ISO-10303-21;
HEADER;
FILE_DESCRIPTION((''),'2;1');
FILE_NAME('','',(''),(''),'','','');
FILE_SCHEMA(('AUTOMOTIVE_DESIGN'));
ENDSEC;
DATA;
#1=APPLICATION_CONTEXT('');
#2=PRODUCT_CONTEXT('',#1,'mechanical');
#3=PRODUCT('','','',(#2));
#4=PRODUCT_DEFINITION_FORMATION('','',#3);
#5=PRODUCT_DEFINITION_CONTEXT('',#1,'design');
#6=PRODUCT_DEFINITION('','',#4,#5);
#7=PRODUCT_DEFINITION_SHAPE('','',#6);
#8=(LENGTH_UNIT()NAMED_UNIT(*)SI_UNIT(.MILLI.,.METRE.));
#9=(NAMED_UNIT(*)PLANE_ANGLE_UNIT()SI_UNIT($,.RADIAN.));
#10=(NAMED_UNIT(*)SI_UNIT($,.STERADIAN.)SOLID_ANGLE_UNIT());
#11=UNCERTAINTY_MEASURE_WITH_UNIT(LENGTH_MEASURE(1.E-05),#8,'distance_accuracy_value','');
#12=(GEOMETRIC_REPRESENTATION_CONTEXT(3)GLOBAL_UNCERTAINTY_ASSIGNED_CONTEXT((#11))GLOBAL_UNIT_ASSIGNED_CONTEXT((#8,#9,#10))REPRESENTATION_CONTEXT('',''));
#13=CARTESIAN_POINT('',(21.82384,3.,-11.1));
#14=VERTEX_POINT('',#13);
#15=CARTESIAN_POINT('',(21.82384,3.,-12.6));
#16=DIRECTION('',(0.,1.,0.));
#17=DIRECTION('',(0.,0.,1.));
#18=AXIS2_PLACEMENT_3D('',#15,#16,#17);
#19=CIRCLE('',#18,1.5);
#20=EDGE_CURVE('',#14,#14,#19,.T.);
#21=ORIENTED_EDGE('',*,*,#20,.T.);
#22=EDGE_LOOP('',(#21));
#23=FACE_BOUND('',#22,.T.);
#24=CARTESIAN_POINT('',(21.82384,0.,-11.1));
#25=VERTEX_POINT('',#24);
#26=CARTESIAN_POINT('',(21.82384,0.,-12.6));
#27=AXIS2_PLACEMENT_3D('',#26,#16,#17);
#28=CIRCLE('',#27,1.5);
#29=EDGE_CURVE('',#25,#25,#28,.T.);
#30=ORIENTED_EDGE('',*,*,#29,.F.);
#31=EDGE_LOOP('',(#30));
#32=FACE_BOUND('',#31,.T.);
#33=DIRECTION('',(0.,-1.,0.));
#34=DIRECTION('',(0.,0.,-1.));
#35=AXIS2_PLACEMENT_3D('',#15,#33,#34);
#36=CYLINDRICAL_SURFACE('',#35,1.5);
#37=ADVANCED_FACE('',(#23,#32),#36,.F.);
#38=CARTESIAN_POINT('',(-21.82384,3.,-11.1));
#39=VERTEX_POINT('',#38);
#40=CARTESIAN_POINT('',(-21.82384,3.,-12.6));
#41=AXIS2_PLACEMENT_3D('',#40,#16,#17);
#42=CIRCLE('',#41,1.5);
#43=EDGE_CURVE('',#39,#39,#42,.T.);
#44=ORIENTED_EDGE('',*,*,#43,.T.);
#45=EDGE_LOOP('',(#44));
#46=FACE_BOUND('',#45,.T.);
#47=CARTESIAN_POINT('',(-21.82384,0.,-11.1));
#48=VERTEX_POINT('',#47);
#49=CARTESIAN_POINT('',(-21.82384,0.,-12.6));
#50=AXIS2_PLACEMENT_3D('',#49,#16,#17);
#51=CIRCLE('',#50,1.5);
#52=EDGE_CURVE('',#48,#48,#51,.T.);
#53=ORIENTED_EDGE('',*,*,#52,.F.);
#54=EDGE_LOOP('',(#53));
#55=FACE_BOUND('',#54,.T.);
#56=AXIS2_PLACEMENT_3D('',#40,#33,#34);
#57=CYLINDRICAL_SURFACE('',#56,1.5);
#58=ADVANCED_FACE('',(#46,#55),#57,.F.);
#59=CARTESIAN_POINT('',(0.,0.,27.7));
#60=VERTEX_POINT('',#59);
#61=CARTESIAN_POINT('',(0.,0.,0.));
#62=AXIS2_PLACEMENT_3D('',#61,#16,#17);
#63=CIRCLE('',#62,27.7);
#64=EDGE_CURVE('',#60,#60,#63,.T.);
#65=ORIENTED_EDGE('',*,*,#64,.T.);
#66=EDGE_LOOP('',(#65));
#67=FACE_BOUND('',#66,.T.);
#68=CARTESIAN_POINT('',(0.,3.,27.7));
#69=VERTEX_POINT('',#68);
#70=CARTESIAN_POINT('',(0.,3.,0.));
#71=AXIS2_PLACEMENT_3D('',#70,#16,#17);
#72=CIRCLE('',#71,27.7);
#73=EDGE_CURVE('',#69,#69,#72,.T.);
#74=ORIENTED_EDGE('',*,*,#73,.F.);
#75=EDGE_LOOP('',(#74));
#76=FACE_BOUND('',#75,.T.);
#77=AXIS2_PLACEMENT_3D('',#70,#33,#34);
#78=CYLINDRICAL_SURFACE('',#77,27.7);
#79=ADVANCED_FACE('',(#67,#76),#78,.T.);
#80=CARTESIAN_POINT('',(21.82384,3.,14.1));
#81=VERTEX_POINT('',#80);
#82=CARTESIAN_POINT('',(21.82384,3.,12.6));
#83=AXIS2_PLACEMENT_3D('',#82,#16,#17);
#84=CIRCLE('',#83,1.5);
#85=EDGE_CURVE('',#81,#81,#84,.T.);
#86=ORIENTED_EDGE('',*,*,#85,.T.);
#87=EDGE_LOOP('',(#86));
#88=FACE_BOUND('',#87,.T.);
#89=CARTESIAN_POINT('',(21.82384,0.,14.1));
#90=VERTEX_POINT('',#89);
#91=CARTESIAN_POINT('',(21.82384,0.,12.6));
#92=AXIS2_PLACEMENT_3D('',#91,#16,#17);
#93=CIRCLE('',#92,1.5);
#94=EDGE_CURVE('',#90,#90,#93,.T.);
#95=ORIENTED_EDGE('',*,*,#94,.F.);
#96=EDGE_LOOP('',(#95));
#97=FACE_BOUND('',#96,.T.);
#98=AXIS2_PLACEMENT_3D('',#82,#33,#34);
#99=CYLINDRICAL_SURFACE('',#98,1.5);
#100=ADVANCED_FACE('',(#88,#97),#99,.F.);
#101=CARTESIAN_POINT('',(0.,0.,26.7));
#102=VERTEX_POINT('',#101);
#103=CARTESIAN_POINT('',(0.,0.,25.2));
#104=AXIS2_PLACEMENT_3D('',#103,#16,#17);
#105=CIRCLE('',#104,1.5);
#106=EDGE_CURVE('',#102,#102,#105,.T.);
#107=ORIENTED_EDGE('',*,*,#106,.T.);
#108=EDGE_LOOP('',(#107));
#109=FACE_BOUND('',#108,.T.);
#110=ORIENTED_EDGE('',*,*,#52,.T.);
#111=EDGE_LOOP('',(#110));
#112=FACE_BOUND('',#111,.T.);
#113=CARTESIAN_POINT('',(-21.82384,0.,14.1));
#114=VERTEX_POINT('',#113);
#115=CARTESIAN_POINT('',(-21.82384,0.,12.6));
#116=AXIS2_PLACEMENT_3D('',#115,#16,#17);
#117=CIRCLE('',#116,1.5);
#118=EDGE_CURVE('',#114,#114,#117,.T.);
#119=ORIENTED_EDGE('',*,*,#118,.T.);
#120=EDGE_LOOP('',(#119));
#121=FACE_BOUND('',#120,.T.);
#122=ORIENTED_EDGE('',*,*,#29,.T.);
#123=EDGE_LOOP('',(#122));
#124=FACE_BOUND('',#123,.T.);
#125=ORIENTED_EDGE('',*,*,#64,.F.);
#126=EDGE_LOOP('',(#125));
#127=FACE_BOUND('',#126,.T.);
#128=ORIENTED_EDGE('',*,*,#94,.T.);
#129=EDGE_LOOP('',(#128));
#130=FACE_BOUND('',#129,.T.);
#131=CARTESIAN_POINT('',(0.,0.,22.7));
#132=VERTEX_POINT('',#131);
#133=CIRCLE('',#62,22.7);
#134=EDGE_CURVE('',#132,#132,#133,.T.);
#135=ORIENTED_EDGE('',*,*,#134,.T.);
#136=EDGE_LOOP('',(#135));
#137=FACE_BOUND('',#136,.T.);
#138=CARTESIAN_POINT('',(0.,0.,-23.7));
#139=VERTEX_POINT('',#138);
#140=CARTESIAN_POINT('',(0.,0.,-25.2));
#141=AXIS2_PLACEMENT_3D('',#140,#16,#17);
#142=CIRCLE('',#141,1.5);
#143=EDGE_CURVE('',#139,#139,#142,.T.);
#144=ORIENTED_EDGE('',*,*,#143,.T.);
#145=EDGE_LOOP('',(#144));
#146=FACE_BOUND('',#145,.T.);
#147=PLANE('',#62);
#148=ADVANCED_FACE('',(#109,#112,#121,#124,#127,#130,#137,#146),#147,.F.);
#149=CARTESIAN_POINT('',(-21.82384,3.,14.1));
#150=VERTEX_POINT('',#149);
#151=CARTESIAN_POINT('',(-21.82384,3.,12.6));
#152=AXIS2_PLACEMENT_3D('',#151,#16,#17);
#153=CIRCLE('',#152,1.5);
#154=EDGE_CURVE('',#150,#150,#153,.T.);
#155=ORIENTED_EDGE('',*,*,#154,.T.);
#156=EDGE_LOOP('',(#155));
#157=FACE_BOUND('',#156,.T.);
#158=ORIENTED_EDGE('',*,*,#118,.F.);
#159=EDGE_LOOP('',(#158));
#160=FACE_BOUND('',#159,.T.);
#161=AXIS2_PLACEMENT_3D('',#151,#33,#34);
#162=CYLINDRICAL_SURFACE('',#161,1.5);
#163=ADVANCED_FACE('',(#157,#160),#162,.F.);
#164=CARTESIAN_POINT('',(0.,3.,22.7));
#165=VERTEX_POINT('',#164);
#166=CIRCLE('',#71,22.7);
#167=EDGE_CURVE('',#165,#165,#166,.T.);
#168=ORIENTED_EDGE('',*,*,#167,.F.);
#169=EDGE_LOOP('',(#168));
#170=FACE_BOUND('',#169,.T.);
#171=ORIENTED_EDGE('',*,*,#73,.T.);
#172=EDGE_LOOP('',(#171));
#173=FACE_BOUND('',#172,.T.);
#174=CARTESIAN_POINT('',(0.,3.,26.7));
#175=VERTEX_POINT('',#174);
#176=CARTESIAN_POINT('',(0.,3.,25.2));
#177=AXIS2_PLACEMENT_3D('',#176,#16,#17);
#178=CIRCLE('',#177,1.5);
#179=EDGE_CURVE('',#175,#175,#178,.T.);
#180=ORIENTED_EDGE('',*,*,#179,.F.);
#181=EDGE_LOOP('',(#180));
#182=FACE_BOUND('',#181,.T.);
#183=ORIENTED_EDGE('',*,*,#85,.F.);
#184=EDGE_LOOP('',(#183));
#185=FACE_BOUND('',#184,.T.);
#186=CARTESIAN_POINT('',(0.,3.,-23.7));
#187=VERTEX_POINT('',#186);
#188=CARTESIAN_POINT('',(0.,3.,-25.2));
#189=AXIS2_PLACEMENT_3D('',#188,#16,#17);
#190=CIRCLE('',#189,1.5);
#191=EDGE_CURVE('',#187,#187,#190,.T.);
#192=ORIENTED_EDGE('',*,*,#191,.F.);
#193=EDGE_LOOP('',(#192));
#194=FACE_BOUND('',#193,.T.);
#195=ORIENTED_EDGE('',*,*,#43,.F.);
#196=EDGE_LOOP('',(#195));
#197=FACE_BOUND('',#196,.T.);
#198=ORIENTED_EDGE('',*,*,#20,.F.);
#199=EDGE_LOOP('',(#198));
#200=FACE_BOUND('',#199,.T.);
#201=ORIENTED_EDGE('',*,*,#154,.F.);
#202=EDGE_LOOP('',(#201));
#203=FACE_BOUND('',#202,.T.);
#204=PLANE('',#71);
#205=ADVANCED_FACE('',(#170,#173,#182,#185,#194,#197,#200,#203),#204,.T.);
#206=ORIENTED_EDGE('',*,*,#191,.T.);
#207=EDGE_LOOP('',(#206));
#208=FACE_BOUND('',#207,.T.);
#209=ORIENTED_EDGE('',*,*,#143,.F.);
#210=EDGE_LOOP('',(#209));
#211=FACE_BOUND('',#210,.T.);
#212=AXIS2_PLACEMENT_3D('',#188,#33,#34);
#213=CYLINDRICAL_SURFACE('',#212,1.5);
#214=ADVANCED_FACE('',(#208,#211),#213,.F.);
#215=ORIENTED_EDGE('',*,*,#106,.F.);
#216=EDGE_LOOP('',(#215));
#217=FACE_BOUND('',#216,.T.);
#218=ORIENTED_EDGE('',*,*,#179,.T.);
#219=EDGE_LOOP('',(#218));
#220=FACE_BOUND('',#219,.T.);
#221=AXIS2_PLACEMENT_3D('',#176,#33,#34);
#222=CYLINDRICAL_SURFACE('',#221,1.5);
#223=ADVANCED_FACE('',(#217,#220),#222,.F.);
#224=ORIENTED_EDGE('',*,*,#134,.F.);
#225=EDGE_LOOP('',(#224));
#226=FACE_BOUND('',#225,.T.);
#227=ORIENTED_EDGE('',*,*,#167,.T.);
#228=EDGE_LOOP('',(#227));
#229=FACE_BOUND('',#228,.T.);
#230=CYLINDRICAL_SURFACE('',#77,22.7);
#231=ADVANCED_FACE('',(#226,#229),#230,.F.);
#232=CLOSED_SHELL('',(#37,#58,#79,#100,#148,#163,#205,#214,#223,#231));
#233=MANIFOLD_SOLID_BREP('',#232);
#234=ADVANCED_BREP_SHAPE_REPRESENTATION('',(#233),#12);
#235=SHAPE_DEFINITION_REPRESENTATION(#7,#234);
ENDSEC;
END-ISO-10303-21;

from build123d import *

# Parameters (mm, degrees)
SKETCH1_R           = 27.7
SKETCH1_R_2         = 22.7
SKETCH1_R_3         = 1.5
BOSS_EXTRUDE1_DEPTH = 3


with BuildPart() as part:
    # Sketch1 → Boss-Extrude1 (new body)
    with BuildSketch(Plane(origin=(0, 0, 0), x_dir=(1, 0, 0), z_dir=(0, 1, 0))):
        with Locations(Location((0, 0, 0), (0, 0, 270))):
            Circle(SKETCH1_R)
        with Locations(Location((0, 0, 0), (0, 0, 270))):
            Circle(SKETCH1_R_2, mode=Mode.SUBTRACT)
        with Locations(Location((0, 25.2, 0), (0, 0, 270))):
            Circle(SKETCH1_R_3, mode=Mode.SUBTRACT)
        with Locations(Location((21.823840175, 12.6, 0), (0, 0, 270))):
            Circle(SKETCH1_R_3, mode=Mode.SUBTRACT)
        with Locations(Location((21.823840175, -12.6, 0), (0, 0, 270))):
            Circle(SKETCH1_R_3, mode=Mode.SUBTRACT)
        with Locations(Location((0, -25.2, 0), (0, 0, 270))):
            Circle(SKETCH1_R_3, mode=Mode.SUBTRACT)
        with Locations(Location((-21.823840175, -12.6, 0), (0, 0, 270))):
            Circle(SKETCH1_R_3, mode=Mode.SUBTRACT)
        with Locations(Location((-21.823840175, 12.6, 0), (0, 0, 270))):
            Circle(SKETCH1_R_3, mode=Mode.SUBTRACT)
    extrude(amount=BOSS_EXTRUDE1_DEPTH)


solid = part.part
